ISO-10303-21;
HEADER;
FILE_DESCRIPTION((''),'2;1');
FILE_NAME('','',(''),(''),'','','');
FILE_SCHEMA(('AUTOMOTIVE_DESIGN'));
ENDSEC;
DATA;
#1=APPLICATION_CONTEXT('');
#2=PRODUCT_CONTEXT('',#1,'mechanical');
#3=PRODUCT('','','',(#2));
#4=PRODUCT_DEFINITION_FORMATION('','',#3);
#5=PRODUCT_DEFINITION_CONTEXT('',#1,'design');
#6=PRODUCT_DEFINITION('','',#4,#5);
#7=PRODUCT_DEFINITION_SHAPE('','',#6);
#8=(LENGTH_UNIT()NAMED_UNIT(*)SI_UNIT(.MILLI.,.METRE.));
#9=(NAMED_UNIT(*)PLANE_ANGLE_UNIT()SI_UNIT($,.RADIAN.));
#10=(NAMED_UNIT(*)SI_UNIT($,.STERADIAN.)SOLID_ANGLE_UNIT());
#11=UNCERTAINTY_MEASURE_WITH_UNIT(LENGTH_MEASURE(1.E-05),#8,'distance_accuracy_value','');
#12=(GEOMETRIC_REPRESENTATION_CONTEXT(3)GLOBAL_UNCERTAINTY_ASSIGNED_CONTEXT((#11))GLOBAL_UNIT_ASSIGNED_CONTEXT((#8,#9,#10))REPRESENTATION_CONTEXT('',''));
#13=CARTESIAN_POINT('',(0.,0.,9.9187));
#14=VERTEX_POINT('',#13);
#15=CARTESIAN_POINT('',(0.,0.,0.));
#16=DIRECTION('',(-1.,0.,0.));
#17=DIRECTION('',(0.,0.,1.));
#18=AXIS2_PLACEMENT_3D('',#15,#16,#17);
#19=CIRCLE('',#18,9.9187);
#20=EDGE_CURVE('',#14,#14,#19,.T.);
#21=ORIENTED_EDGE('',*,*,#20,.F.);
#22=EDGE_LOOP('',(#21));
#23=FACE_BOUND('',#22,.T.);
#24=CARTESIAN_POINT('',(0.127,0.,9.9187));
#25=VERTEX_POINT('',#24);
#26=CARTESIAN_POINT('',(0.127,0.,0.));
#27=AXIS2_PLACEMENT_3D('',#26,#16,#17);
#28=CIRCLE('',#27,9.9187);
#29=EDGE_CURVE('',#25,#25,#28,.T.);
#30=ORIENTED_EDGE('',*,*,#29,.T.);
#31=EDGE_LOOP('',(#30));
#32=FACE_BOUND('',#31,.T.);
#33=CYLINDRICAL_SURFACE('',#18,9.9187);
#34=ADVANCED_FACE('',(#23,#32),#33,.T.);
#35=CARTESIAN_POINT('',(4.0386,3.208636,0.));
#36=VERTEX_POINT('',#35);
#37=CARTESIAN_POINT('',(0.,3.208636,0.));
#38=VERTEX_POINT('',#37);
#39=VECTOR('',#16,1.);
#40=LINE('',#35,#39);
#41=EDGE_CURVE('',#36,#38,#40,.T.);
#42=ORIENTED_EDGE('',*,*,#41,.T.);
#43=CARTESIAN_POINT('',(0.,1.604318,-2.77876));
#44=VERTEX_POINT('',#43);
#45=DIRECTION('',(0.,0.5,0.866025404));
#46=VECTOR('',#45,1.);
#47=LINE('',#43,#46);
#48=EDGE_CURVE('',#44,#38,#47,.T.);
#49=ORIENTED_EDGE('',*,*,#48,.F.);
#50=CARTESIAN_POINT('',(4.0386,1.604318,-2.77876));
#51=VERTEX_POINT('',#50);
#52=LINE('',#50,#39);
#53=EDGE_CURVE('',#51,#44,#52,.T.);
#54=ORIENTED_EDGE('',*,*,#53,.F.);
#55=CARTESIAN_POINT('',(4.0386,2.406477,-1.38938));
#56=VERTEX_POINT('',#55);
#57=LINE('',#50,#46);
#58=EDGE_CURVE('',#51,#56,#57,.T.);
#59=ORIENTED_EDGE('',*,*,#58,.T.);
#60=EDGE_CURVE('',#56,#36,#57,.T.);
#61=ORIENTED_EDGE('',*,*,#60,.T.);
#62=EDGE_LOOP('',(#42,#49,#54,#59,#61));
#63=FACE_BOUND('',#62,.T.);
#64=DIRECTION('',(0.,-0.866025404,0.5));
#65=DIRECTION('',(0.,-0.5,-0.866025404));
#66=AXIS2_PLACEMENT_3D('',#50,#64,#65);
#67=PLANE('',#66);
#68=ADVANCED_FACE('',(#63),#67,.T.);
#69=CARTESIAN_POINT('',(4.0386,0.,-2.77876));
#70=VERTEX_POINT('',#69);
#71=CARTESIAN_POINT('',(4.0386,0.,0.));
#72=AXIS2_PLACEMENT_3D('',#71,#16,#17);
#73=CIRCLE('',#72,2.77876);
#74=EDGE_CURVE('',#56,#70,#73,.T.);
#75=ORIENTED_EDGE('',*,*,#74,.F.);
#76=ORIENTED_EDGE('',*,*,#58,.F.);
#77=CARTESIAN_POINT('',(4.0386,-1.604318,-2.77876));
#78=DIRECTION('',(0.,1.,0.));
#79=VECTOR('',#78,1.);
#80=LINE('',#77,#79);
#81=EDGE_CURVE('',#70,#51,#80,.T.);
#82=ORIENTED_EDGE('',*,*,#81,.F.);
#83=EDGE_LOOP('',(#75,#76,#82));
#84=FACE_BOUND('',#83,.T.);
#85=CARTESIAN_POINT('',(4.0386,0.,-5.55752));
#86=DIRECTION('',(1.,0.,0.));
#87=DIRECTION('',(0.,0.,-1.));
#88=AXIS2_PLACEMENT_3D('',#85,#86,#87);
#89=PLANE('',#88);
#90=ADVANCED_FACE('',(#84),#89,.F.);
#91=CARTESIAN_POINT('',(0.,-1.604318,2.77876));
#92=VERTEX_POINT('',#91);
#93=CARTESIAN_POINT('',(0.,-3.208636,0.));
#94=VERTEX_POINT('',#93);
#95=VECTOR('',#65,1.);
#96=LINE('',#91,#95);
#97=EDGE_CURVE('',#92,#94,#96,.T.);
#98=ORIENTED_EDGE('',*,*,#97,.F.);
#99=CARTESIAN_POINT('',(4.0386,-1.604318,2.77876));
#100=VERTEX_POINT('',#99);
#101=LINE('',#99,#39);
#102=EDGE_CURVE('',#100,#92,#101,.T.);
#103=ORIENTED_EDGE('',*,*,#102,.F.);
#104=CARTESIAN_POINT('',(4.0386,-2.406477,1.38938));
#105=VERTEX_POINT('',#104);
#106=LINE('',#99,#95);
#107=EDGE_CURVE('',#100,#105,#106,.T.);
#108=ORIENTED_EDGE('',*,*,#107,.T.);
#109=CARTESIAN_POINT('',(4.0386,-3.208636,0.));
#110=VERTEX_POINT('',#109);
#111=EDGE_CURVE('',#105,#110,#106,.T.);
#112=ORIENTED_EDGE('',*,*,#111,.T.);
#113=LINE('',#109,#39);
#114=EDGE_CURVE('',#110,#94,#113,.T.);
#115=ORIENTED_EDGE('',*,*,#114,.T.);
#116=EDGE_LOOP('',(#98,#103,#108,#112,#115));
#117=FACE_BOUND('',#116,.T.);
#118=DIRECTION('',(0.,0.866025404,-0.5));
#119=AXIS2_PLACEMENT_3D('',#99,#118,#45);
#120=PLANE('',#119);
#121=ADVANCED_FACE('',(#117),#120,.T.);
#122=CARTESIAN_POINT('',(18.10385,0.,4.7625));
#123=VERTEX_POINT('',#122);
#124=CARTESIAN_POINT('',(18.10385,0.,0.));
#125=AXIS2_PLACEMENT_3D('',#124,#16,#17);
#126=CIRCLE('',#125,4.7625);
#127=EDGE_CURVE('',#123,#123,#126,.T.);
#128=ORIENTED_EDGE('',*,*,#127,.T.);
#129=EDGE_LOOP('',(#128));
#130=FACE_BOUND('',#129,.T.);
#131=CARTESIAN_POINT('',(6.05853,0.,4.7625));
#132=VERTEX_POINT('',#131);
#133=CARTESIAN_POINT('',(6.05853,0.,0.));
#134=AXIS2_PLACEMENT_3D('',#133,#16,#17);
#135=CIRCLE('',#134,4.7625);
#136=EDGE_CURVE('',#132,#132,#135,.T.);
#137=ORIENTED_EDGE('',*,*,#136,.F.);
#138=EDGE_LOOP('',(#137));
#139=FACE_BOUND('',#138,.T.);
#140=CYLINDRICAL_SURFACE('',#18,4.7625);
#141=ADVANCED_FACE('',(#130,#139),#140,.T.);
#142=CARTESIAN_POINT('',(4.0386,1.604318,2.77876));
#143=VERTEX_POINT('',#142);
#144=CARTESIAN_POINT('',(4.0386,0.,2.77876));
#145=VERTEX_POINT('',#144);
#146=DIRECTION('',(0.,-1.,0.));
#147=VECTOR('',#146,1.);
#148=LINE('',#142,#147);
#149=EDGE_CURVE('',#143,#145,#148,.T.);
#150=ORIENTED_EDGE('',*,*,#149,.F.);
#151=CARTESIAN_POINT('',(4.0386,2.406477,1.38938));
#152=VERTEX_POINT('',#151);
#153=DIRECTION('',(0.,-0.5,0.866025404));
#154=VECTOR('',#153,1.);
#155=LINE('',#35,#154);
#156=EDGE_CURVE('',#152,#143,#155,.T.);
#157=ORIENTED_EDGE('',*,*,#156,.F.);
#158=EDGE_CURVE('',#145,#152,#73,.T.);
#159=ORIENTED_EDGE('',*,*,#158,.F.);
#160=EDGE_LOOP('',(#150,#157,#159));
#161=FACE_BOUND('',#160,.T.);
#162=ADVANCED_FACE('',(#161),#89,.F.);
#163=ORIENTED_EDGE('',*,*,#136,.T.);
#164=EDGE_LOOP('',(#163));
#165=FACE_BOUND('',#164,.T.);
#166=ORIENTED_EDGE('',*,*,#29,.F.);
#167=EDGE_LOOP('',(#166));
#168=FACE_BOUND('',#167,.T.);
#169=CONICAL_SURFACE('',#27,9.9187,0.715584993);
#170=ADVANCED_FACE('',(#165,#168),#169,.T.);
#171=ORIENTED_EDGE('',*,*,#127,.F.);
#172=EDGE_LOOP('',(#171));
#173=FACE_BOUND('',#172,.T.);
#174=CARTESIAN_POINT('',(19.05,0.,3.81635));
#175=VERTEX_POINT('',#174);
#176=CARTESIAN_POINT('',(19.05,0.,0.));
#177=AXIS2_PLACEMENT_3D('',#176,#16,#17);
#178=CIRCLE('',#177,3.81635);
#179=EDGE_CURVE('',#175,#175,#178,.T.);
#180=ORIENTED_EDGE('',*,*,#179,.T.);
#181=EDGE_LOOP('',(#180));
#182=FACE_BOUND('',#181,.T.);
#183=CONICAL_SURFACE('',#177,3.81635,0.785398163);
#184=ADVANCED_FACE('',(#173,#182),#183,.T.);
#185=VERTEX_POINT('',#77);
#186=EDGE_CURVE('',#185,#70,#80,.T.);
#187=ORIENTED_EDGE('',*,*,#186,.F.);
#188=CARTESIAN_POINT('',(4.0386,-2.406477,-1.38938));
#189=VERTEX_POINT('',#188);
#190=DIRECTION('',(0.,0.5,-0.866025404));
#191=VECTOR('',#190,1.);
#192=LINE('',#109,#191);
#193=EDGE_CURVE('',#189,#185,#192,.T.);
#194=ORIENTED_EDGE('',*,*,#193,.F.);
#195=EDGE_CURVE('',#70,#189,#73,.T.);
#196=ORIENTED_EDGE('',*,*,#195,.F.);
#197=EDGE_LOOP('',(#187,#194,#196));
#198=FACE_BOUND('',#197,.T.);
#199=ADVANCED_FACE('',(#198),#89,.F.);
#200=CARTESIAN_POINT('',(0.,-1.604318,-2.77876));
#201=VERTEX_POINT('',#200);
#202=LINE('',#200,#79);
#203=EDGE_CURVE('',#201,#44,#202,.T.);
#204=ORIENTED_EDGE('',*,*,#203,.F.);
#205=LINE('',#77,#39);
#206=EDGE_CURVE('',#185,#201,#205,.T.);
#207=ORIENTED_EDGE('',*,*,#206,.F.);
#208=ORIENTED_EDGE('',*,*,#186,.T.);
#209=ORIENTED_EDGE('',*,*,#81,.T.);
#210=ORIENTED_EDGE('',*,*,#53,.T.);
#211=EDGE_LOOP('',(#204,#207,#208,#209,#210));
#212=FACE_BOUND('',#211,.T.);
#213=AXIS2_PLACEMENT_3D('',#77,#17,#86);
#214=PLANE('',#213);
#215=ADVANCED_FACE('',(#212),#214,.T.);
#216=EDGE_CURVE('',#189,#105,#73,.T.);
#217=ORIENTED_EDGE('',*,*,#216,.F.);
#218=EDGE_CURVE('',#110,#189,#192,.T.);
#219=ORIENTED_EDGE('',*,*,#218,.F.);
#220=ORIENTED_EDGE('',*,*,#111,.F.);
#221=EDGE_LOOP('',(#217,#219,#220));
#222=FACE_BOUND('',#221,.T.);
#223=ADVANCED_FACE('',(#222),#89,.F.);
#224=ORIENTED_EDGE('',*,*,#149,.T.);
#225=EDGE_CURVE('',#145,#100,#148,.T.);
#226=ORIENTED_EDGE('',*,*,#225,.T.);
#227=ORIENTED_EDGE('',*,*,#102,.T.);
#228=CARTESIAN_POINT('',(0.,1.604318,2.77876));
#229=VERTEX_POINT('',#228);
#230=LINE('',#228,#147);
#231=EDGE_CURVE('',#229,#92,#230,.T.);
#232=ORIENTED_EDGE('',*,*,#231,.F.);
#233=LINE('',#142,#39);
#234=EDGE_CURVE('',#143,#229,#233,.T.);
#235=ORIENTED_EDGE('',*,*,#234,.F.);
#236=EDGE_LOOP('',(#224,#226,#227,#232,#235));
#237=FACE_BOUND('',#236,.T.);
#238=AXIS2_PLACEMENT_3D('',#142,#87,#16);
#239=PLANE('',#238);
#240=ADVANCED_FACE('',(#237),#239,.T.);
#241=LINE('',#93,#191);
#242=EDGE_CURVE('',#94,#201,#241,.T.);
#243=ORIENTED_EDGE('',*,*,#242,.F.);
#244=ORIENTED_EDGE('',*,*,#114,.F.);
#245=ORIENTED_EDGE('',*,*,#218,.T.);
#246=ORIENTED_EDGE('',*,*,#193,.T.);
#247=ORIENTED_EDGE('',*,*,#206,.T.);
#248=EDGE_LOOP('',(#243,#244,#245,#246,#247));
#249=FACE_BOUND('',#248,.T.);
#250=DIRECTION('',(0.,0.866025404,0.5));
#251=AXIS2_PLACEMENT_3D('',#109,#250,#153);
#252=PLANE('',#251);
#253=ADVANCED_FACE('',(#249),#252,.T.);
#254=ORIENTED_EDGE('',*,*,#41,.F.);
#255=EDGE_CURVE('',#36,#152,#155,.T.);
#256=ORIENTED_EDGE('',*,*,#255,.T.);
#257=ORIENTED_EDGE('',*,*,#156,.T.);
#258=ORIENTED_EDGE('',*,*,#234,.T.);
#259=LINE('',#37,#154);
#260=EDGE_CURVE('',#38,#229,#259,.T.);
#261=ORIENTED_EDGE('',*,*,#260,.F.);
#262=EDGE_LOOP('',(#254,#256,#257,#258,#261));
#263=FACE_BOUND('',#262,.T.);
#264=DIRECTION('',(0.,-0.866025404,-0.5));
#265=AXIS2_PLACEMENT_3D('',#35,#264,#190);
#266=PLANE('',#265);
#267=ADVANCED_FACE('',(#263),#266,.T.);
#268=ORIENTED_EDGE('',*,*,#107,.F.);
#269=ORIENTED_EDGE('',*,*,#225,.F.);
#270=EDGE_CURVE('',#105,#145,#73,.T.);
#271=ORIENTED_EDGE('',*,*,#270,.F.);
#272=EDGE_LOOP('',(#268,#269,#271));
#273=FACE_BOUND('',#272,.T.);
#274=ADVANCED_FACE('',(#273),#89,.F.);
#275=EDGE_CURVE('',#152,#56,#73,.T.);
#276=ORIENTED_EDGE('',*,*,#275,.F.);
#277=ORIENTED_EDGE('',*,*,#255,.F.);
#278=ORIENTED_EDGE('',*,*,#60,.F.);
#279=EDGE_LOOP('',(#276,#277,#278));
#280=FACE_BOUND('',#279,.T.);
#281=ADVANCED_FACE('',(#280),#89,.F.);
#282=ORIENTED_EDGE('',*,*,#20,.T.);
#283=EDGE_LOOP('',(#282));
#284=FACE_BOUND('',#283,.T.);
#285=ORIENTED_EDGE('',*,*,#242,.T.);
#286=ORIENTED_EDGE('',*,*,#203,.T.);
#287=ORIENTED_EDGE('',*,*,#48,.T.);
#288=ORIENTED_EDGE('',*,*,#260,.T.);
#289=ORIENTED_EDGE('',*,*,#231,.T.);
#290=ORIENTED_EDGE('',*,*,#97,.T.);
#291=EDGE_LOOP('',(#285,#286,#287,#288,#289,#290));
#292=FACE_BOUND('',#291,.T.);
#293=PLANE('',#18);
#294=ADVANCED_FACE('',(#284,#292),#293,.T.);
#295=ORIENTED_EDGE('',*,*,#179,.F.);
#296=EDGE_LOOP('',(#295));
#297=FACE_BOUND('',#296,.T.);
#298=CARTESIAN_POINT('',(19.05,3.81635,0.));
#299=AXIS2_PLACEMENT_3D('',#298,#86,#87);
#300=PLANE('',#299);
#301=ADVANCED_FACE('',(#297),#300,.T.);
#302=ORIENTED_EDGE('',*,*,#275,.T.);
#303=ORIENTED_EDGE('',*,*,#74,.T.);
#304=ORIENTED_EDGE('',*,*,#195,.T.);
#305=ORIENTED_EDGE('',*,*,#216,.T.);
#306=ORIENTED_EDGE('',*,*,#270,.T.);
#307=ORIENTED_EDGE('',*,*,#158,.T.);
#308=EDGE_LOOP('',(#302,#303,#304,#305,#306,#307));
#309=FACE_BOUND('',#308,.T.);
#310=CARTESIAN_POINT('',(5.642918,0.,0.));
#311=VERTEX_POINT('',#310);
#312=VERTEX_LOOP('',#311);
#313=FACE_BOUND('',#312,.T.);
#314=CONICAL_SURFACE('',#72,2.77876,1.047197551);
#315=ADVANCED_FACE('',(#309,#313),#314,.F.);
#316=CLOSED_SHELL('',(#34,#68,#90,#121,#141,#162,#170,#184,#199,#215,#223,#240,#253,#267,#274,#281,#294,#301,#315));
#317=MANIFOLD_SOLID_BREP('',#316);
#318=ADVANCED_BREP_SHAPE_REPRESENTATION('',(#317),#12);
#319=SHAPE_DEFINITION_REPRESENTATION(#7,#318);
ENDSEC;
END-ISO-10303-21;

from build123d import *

# Parameters (mm, degrees)
HEX_2_DEPTH = 4.0386


with BuildPart() as part:
    # BodySke → BaseBody (revolve)
    with BuildSketch(Plane.XY, mode=Mode.PRIVATE) as basebody_sk:
        Polygon((0, 0), (0, 9.9187), (0.127, 9.9187), (6.058529581, 4.7625), (18.10385, 4.7625), (19.05, 3.81635), (19.05, 0), align=None)
    revolve(basebody_sk.sketch.rotate(Axis((0, 0, 0), (1, 0, 0)), 90), axis=Axis((0, 0, 0), (1, 0, 0)))

    # Sketch2 → PreBroach (revolve, cut)
    with BuildSketch(Plane.XY, mode=Mode.PRIVATE) as prebroach_sk:
        Polygon((0, 2.77876), (4.0386, 2.77876), (5.642917834, 0), (0, 0), align=None)
    revolve(prebroach_sk.sketch.rotate(Axis((0, 0, 0), (1, 0, 0)), 90), axis=Axis((0, 0, 0), (1, 0, 0)), mode=Mode.SUBTRACT)

    # Sketch3 → Hex 2 (cut)
    with BuildSketch(Plane.ZY):
        Polygon((-2.77876, -1.604317834), (-2.77876, 1.604317834), (0, 3.208635668), (2.77876, 1.604317834), (2.77876, -1.604317834), (0, -3.208635668), align=None)
    extrude(amount=-HEX_2_DEPTH, mode=Mode.SUBTRACT)


solid = part.part
